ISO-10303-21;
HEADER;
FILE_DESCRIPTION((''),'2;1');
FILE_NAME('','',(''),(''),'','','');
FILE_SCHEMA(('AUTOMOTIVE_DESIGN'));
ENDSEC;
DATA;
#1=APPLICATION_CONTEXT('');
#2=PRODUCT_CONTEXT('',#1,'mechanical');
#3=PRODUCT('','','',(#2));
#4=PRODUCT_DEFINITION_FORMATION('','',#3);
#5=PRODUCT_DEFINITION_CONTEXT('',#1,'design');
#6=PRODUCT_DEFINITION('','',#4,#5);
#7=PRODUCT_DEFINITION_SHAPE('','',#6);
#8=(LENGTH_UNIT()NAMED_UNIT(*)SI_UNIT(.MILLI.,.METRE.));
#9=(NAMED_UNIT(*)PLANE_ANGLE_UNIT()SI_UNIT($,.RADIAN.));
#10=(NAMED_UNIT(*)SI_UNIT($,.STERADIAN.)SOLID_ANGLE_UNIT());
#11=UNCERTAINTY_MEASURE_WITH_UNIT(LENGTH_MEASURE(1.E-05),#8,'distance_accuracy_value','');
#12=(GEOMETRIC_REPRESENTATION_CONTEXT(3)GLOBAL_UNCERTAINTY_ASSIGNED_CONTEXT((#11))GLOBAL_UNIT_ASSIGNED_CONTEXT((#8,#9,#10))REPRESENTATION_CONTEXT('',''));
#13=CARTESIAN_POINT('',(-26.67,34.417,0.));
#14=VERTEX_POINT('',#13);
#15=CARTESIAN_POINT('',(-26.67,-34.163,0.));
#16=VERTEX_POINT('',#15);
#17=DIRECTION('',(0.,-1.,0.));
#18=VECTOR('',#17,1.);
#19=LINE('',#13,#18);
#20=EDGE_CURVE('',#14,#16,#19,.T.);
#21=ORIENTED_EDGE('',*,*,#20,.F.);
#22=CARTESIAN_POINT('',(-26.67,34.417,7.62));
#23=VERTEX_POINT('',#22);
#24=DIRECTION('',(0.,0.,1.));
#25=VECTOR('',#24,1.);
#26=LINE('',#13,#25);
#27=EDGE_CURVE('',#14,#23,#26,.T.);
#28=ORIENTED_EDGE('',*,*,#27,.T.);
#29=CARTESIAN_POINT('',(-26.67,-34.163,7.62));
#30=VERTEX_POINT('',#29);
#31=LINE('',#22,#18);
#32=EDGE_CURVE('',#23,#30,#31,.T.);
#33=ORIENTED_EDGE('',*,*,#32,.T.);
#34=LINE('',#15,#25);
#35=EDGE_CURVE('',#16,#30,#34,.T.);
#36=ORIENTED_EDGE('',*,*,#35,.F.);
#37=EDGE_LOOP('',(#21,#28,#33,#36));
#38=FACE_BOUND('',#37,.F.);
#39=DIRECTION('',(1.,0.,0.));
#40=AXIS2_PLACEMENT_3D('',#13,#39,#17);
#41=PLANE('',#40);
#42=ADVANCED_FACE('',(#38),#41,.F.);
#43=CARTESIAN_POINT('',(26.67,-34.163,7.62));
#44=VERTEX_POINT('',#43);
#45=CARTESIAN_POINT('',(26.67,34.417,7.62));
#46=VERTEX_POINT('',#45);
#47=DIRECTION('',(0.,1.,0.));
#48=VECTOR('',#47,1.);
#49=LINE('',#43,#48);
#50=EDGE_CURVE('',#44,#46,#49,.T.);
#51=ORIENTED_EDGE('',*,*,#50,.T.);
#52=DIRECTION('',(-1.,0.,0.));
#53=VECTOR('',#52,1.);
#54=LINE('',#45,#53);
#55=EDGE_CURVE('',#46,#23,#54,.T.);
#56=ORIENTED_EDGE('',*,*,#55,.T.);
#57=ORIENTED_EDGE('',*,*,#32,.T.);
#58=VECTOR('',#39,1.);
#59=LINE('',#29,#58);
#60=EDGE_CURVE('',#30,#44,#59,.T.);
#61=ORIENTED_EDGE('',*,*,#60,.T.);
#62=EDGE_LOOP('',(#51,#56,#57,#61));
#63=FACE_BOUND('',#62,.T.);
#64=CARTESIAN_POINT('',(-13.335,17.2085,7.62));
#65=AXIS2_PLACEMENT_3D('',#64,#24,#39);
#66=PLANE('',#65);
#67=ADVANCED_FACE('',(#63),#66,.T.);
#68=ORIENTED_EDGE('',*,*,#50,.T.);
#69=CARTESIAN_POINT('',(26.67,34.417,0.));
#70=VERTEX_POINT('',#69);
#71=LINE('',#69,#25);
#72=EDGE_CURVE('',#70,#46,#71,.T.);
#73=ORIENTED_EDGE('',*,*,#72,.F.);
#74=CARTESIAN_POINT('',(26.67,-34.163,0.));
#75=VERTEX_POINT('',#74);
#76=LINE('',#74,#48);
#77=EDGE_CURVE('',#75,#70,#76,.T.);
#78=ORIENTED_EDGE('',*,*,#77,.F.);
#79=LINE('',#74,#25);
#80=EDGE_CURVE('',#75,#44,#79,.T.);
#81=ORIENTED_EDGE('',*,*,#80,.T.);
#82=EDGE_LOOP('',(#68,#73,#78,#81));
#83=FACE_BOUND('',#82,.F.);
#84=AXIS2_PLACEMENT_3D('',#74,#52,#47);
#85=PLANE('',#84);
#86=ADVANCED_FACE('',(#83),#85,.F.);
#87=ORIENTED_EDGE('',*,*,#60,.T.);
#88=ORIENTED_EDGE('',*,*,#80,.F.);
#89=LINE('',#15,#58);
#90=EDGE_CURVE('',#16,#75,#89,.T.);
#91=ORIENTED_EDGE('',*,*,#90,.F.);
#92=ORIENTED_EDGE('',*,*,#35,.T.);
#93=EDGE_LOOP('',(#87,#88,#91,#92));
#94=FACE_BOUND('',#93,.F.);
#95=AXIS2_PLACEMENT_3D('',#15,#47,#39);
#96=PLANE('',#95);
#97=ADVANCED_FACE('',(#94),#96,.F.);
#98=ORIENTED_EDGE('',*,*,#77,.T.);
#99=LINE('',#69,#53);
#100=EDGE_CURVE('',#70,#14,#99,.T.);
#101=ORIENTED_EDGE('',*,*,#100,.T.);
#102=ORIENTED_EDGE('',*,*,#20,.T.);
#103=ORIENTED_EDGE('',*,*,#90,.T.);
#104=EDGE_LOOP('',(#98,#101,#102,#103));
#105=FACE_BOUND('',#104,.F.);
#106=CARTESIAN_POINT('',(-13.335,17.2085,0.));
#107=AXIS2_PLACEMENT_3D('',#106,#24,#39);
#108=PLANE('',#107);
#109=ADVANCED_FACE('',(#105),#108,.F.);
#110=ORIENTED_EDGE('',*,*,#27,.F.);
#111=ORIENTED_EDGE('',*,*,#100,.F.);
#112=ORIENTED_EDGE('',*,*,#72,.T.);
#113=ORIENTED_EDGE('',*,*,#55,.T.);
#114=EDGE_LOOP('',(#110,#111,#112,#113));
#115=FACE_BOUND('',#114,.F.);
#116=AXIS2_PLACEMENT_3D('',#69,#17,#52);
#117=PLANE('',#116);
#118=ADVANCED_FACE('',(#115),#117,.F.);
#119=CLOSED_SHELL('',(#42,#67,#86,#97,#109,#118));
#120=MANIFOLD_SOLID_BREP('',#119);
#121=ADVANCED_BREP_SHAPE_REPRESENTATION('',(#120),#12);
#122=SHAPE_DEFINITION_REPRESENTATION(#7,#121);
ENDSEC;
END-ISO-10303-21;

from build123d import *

# Parameters (mm, degrees)
F0_W     = 26.67
F0_H     = 34.417
F0_H_2   = 34.163
F1_DEPTH = 7.62


with BuildPart() as f1:
    # F0 (on Top) → F1 (new body)
    with BuildSketch(Plane.XY):
        with Locations((-13.335, 17.2085)):
            Rectangle(F0_W, F0_H)
        with Locations((13.335, 17.2085)):
            Rectangle(F0_W, F0_H)
        with Locations((-13.335, -17.0815)):
            Rectangle(F0_W, F0_H_2)
        with Locations((13.335, -17.0815)):
            Rectangle(F0_W, F0_H_2)
    extrude(amount=F1_DEPTH)


solid = f1.part
